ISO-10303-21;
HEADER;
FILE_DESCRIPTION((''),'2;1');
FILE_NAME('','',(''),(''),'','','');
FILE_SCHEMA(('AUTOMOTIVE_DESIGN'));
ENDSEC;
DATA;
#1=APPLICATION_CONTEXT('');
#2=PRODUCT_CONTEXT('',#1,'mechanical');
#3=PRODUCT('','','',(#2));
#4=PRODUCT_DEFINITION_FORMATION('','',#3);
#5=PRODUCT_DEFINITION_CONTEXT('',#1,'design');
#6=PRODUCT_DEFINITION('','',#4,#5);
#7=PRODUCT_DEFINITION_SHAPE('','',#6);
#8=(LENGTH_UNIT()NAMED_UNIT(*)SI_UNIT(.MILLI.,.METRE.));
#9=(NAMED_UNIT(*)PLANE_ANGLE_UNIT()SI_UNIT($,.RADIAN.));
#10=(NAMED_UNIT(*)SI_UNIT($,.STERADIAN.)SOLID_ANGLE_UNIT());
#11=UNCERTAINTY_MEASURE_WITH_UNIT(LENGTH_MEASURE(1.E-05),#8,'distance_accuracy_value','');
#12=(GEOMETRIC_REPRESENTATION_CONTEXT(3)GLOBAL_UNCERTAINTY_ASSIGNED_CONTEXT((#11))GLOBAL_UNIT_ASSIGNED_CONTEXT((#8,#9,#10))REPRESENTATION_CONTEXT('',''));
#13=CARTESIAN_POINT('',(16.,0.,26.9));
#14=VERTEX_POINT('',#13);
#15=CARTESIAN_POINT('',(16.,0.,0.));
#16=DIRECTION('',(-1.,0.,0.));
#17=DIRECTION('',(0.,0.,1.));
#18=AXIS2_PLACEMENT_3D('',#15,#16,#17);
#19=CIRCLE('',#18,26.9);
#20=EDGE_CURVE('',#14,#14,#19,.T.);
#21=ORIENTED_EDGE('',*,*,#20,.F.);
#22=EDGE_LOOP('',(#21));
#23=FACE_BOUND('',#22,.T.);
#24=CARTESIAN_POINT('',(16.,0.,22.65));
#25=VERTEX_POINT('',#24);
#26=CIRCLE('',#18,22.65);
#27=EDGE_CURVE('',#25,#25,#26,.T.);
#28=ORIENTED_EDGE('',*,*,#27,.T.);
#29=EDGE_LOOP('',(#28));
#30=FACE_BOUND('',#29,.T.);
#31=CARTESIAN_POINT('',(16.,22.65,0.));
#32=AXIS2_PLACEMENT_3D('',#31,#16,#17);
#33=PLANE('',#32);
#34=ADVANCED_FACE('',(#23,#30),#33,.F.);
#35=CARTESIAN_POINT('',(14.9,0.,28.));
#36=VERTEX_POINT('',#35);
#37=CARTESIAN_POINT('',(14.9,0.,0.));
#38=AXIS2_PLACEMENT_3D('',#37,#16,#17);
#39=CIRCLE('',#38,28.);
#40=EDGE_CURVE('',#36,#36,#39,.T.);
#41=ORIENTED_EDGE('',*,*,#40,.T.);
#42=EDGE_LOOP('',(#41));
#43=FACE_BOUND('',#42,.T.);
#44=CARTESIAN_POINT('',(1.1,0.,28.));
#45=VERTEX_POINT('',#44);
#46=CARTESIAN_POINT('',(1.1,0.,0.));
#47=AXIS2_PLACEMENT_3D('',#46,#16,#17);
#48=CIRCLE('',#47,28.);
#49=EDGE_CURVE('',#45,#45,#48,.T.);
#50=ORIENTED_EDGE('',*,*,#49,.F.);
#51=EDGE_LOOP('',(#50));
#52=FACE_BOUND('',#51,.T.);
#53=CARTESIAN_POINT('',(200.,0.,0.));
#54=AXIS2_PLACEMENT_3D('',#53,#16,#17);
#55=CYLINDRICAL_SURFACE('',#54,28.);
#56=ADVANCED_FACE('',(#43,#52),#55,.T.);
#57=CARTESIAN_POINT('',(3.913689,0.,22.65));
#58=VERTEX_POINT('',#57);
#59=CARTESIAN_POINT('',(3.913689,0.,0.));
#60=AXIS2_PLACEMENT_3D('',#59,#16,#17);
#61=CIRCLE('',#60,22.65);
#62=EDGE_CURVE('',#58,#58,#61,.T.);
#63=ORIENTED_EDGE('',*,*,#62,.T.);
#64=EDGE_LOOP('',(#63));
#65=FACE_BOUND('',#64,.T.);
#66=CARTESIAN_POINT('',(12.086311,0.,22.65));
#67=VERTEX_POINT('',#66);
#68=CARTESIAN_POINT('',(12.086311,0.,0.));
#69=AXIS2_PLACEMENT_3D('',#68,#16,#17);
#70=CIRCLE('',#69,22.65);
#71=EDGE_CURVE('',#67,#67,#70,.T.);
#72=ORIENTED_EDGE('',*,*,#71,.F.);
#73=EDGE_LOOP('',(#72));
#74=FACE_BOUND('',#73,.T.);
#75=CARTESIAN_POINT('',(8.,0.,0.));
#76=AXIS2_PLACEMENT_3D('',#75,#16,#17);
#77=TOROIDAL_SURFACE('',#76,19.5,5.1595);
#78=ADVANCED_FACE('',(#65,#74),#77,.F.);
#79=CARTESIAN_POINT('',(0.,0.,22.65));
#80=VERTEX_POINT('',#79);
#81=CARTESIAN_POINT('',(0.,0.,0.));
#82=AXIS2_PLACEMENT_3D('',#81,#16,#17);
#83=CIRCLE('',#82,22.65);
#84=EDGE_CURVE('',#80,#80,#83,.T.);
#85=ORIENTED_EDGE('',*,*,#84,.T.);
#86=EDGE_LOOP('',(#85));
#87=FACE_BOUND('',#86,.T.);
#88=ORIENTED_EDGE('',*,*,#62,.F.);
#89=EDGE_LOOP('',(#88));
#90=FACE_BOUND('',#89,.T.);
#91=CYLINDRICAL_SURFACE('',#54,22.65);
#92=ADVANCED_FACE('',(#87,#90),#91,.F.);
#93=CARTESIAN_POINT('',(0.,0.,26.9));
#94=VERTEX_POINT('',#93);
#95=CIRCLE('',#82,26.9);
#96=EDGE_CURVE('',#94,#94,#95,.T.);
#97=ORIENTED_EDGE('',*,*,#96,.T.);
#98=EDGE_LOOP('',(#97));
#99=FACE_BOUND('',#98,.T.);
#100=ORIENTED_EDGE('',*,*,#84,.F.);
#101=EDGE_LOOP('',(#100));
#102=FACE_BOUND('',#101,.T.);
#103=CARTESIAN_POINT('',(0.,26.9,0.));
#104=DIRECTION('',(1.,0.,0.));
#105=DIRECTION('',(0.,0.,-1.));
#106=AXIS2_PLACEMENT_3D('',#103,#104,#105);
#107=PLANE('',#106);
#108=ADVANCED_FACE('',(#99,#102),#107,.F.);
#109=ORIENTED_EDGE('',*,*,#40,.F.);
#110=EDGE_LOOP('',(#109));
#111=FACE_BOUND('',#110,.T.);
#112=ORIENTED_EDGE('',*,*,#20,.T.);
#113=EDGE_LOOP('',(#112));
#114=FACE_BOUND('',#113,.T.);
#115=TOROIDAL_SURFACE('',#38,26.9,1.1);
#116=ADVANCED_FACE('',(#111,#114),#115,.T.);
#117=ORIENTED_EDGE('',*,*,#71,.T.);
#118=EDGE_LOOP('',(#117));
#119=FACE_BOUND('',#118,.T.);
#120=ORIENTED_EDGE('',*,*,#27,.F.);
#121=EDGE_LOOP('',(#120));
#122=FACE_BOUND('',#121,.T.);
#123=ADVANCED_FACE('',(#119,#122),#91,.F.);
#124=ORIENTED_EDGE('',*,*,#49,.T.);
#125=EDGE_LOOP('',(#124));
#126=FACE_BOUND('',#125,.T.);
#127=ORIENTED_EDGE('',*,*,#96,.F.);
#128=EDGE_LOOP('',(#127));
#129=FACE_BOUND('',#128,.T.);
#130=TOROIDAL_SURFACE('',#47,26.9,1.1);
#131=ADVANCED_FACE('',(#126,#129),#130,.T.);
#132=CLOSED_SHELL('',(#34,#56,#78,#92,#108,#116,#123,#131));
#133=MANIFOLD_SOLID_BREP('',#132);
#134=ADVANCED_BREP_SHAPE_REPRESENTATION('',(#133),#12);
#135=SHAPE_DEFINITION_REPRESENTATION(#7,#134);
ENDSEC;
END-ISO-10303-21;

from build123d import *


with BuildPart() as part:
    # Sketch1 → Revolução1 (revolve)
    with BuildSketch(Plane.XY, mode=Mode.PRIVATE) as revolu_o1_sk:
        with BuildLine():
            Line((0, 26.9), (0, 22.65))
            Line((0, 22.65), (3.913688674, 22.65))
            ThreePointArc((3.913688674, 22.65), (8, 24.6595), (12.086311326, 22.65))
            Line((12.086311326, 22.65), (16, 22.65))
            Line((16, 22.65), (16, 26.9))
            ThreePointArc((16, 26.9), (15.677817459, 27.677817459), (14.9, 28))
            Line((14.9, 28), (1.1, 28))
            ThreePointArc((1.1, 28), (0.322182541, 27.677817459), (0, 26.9))
        make_face()
    revolve(revolu_o1_sk.sketch.rotate(Axis((200, 0, 0), (-1, 0, 0)), 270), axis=Axis((200, 0, 0), (-1, 0, 0)))


solid = part.part
